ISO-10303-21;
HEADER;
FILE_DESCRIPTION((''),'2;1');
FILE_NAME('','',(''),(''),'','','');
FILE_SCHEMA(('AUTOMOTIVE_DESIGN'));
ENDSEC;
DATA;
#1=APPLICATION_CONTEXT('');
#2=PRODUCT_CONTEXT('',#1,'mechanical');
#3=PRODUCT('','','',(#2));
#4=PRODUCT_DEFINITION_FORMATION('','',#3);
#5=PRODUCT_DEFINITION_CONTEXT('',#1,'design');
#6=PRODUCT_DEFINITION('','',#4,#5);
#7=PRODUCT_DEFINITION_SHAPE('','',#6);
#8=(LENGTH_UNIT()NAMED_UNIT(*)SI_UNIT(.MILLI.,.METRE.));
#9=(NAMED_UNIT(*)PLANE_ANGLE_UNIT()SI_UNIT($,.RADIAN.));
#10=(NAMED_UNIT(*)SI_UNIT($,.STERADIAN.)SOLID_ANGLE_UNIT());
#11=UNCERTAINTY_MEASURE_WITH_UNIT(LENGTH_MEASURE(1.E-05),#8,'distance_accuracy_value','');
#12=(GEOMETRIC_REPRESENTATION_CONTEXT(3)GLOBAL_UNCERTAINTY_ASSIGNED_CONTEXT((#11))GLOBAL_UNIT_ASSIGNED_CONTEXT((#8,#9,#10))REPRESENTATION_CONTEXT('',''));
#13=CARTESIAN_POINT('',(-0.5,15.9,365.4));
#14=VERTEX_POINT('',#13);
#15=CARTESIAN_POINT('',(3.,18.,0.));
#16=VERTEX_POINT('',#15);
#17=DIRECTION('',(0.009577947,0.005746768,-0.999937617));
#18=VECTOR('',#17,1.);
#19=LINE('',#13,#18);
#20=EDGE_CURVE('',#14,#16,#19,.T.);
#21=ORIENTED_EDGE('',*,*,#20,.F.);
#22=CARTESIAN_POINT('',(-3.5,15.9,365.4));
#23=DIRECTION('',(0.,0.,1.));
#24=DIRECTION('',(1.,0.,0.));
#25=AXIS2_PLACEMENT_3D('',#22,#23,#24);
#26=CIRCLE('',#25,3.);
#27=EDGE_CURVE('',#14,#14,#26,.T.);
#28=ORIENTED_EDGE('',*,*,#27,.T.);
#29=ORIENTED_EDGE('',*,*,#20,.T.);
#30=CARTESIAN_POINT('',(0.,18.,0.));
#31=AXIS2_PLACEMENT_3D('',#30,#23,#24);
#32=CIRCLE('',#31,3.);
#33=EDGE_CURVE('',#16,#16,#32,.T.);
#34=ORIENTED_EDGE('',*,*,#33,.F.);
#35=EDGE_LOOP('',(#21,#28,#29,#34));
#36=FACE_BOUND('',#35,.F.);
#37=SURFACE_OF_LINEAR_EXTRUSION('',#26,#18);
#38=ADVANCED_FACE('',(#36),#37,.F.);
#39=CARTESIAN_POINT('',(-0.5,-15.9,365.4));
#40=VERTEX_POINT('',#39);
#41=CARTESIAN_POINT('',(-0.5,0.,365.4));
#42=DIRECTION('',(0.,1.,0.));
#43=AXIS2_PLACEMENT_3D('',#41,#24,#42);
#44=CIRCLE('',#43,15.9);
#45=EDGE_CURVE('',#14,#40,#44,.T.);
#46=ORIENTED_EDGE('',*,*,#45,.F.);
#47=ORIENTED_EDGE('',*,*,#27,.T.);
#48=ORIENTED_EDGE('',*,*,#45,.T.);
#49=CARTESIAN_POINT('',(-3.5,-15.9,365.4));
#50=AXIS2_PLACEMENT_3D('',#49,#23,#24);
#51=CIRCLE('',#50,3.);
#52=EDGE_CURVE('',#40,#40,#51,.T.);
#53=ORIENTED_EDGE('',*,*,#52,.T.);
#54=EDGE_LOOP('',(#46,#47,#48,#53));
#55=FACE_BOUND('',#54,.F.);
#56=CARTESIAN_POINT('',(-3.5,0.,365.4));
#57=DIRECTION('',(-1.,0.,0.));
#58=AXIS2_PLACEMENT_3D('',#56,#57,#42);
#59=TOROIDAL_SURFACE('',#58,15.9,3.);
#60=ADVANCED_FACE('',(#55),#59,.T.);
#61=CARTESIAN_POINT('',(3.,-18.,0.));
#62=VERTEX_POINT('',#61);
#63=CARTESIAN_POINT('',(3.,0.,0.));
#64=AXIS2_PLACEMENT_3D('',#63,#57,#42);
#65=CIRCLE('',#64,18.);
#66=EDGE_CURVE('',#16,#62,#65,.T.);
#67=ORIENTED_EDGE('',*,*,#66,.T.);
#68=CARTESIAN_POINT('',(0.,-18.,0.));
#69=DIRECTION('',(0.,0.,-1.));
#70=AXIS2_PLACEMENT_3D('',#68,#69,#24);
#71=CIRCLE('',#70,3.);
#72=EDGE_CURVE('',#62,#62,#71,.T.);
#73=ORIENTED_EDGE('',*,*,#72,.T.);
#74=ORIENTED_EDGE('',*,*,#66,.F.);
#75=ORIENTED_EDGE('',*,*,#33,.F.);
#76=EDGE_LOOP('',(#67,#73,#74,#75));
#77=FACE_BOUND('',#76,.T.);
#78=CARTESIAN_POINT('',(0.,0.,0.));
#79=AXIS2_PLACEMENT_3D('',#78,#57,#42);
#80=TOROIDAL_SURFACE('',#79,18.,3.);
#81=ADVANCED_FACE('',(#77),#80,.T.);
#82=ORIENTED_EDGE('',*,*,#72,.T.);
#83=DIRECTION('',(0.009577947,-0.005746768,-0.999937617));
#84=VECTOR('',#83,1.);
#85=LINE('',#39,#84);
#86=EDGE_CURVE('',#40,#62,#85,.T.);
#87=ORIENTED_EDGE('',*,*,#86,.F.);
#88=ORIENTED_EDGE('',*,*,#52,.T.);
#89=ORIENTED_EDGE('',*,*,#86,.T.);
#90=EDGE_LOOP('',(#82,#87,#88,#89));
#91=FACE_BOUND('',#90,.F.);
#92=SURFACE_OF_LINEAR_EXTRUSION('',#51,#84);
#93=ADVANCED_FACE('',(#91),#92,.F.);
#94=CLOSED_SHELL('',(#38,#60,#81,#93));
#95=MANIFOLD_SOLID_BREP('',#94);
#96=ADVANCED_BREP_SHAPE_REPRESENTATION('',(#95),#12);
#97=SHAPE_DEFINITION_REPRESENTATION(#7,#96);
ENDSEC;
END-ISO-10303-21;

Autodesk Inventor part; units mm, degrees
ref_plane "YZ Plane" through (0, 0, 0) normal (1, 0, 0) x (0, 1, 0)
ref_plane "XZ Plane" through (0, 0, 0) normal (0, 1, 0) x (-1, 0, 0)
sketch "Sketch1" plane through (0, 0, 0) normal (0, 0, 1) x (1, 0, 0)
  line L0 (0, 0) -> (17.1365, 0)
  line L1 (0, 0) -> (0, 18) construction
  line L2 (0, 0) -> (0, -18) construction
  circle A0 centre (0, 18) radius 3
  circle A1 centre (0, -18) radius 3
  dimension "d0" = 18
  dimension "d1" = 18
  dimension "d2" = 6
  dimension "d3" = 6
ref_plane "Work Plane1" through (0, 0, 365.4) normal (0, 0, 1) x (1, 0, 0)
sketch "Sketch3" plane through (0, 0, 365.4) normal (0, 0, 1) x (1, 0, 0)
  line L0 (-3.5, 0) -> (-3.5, 15.9) construction
  line L1 (-3.5, 0) -> (-3.5, -15.9) construction
  circle A0 centre (-3.5, 15.9) radius 3
  circle A1 centre (-3.5, -15.9) radius 3
  line L2 (0, 0) -> (-3.5, 0)
  dimension "d8" = 15.9
  dimension "d9" = 15.9
  dimension "d10" = 6
  dimension "d11" = 6
  dimension "d17" = 3.5
revolve "Revolution1" add sketch "Sketch1" angle 180 about axis through (0, 0, 0) along (-1, 0, 0) contours A0
sketch3d "3D Sketch1"
  line L0 (-3.5, 15.9, 365.4) -> (0, 18, 0)
sweep "Sweep1" add profiles "Sketch3" path "3D Sketch1" contours A0
sketch3d "3D Sketch1 for Sweep2"
  line L0 (-3.5, -15.9, 365.4) -> (0, -18, 0)
sweep "Sweep2" add profiles "Sketch3" path "3D Sketch1 for Sweep2" contours A1
revolve "Revolution2" add sketch "Sketch3" angle 180 about axis through (0, 0, 365.4) along (1, 0, 0) contours A0
equation "\"d8\" = d9"
properties part number "RoundBelt" material "PAEK Plastic"
